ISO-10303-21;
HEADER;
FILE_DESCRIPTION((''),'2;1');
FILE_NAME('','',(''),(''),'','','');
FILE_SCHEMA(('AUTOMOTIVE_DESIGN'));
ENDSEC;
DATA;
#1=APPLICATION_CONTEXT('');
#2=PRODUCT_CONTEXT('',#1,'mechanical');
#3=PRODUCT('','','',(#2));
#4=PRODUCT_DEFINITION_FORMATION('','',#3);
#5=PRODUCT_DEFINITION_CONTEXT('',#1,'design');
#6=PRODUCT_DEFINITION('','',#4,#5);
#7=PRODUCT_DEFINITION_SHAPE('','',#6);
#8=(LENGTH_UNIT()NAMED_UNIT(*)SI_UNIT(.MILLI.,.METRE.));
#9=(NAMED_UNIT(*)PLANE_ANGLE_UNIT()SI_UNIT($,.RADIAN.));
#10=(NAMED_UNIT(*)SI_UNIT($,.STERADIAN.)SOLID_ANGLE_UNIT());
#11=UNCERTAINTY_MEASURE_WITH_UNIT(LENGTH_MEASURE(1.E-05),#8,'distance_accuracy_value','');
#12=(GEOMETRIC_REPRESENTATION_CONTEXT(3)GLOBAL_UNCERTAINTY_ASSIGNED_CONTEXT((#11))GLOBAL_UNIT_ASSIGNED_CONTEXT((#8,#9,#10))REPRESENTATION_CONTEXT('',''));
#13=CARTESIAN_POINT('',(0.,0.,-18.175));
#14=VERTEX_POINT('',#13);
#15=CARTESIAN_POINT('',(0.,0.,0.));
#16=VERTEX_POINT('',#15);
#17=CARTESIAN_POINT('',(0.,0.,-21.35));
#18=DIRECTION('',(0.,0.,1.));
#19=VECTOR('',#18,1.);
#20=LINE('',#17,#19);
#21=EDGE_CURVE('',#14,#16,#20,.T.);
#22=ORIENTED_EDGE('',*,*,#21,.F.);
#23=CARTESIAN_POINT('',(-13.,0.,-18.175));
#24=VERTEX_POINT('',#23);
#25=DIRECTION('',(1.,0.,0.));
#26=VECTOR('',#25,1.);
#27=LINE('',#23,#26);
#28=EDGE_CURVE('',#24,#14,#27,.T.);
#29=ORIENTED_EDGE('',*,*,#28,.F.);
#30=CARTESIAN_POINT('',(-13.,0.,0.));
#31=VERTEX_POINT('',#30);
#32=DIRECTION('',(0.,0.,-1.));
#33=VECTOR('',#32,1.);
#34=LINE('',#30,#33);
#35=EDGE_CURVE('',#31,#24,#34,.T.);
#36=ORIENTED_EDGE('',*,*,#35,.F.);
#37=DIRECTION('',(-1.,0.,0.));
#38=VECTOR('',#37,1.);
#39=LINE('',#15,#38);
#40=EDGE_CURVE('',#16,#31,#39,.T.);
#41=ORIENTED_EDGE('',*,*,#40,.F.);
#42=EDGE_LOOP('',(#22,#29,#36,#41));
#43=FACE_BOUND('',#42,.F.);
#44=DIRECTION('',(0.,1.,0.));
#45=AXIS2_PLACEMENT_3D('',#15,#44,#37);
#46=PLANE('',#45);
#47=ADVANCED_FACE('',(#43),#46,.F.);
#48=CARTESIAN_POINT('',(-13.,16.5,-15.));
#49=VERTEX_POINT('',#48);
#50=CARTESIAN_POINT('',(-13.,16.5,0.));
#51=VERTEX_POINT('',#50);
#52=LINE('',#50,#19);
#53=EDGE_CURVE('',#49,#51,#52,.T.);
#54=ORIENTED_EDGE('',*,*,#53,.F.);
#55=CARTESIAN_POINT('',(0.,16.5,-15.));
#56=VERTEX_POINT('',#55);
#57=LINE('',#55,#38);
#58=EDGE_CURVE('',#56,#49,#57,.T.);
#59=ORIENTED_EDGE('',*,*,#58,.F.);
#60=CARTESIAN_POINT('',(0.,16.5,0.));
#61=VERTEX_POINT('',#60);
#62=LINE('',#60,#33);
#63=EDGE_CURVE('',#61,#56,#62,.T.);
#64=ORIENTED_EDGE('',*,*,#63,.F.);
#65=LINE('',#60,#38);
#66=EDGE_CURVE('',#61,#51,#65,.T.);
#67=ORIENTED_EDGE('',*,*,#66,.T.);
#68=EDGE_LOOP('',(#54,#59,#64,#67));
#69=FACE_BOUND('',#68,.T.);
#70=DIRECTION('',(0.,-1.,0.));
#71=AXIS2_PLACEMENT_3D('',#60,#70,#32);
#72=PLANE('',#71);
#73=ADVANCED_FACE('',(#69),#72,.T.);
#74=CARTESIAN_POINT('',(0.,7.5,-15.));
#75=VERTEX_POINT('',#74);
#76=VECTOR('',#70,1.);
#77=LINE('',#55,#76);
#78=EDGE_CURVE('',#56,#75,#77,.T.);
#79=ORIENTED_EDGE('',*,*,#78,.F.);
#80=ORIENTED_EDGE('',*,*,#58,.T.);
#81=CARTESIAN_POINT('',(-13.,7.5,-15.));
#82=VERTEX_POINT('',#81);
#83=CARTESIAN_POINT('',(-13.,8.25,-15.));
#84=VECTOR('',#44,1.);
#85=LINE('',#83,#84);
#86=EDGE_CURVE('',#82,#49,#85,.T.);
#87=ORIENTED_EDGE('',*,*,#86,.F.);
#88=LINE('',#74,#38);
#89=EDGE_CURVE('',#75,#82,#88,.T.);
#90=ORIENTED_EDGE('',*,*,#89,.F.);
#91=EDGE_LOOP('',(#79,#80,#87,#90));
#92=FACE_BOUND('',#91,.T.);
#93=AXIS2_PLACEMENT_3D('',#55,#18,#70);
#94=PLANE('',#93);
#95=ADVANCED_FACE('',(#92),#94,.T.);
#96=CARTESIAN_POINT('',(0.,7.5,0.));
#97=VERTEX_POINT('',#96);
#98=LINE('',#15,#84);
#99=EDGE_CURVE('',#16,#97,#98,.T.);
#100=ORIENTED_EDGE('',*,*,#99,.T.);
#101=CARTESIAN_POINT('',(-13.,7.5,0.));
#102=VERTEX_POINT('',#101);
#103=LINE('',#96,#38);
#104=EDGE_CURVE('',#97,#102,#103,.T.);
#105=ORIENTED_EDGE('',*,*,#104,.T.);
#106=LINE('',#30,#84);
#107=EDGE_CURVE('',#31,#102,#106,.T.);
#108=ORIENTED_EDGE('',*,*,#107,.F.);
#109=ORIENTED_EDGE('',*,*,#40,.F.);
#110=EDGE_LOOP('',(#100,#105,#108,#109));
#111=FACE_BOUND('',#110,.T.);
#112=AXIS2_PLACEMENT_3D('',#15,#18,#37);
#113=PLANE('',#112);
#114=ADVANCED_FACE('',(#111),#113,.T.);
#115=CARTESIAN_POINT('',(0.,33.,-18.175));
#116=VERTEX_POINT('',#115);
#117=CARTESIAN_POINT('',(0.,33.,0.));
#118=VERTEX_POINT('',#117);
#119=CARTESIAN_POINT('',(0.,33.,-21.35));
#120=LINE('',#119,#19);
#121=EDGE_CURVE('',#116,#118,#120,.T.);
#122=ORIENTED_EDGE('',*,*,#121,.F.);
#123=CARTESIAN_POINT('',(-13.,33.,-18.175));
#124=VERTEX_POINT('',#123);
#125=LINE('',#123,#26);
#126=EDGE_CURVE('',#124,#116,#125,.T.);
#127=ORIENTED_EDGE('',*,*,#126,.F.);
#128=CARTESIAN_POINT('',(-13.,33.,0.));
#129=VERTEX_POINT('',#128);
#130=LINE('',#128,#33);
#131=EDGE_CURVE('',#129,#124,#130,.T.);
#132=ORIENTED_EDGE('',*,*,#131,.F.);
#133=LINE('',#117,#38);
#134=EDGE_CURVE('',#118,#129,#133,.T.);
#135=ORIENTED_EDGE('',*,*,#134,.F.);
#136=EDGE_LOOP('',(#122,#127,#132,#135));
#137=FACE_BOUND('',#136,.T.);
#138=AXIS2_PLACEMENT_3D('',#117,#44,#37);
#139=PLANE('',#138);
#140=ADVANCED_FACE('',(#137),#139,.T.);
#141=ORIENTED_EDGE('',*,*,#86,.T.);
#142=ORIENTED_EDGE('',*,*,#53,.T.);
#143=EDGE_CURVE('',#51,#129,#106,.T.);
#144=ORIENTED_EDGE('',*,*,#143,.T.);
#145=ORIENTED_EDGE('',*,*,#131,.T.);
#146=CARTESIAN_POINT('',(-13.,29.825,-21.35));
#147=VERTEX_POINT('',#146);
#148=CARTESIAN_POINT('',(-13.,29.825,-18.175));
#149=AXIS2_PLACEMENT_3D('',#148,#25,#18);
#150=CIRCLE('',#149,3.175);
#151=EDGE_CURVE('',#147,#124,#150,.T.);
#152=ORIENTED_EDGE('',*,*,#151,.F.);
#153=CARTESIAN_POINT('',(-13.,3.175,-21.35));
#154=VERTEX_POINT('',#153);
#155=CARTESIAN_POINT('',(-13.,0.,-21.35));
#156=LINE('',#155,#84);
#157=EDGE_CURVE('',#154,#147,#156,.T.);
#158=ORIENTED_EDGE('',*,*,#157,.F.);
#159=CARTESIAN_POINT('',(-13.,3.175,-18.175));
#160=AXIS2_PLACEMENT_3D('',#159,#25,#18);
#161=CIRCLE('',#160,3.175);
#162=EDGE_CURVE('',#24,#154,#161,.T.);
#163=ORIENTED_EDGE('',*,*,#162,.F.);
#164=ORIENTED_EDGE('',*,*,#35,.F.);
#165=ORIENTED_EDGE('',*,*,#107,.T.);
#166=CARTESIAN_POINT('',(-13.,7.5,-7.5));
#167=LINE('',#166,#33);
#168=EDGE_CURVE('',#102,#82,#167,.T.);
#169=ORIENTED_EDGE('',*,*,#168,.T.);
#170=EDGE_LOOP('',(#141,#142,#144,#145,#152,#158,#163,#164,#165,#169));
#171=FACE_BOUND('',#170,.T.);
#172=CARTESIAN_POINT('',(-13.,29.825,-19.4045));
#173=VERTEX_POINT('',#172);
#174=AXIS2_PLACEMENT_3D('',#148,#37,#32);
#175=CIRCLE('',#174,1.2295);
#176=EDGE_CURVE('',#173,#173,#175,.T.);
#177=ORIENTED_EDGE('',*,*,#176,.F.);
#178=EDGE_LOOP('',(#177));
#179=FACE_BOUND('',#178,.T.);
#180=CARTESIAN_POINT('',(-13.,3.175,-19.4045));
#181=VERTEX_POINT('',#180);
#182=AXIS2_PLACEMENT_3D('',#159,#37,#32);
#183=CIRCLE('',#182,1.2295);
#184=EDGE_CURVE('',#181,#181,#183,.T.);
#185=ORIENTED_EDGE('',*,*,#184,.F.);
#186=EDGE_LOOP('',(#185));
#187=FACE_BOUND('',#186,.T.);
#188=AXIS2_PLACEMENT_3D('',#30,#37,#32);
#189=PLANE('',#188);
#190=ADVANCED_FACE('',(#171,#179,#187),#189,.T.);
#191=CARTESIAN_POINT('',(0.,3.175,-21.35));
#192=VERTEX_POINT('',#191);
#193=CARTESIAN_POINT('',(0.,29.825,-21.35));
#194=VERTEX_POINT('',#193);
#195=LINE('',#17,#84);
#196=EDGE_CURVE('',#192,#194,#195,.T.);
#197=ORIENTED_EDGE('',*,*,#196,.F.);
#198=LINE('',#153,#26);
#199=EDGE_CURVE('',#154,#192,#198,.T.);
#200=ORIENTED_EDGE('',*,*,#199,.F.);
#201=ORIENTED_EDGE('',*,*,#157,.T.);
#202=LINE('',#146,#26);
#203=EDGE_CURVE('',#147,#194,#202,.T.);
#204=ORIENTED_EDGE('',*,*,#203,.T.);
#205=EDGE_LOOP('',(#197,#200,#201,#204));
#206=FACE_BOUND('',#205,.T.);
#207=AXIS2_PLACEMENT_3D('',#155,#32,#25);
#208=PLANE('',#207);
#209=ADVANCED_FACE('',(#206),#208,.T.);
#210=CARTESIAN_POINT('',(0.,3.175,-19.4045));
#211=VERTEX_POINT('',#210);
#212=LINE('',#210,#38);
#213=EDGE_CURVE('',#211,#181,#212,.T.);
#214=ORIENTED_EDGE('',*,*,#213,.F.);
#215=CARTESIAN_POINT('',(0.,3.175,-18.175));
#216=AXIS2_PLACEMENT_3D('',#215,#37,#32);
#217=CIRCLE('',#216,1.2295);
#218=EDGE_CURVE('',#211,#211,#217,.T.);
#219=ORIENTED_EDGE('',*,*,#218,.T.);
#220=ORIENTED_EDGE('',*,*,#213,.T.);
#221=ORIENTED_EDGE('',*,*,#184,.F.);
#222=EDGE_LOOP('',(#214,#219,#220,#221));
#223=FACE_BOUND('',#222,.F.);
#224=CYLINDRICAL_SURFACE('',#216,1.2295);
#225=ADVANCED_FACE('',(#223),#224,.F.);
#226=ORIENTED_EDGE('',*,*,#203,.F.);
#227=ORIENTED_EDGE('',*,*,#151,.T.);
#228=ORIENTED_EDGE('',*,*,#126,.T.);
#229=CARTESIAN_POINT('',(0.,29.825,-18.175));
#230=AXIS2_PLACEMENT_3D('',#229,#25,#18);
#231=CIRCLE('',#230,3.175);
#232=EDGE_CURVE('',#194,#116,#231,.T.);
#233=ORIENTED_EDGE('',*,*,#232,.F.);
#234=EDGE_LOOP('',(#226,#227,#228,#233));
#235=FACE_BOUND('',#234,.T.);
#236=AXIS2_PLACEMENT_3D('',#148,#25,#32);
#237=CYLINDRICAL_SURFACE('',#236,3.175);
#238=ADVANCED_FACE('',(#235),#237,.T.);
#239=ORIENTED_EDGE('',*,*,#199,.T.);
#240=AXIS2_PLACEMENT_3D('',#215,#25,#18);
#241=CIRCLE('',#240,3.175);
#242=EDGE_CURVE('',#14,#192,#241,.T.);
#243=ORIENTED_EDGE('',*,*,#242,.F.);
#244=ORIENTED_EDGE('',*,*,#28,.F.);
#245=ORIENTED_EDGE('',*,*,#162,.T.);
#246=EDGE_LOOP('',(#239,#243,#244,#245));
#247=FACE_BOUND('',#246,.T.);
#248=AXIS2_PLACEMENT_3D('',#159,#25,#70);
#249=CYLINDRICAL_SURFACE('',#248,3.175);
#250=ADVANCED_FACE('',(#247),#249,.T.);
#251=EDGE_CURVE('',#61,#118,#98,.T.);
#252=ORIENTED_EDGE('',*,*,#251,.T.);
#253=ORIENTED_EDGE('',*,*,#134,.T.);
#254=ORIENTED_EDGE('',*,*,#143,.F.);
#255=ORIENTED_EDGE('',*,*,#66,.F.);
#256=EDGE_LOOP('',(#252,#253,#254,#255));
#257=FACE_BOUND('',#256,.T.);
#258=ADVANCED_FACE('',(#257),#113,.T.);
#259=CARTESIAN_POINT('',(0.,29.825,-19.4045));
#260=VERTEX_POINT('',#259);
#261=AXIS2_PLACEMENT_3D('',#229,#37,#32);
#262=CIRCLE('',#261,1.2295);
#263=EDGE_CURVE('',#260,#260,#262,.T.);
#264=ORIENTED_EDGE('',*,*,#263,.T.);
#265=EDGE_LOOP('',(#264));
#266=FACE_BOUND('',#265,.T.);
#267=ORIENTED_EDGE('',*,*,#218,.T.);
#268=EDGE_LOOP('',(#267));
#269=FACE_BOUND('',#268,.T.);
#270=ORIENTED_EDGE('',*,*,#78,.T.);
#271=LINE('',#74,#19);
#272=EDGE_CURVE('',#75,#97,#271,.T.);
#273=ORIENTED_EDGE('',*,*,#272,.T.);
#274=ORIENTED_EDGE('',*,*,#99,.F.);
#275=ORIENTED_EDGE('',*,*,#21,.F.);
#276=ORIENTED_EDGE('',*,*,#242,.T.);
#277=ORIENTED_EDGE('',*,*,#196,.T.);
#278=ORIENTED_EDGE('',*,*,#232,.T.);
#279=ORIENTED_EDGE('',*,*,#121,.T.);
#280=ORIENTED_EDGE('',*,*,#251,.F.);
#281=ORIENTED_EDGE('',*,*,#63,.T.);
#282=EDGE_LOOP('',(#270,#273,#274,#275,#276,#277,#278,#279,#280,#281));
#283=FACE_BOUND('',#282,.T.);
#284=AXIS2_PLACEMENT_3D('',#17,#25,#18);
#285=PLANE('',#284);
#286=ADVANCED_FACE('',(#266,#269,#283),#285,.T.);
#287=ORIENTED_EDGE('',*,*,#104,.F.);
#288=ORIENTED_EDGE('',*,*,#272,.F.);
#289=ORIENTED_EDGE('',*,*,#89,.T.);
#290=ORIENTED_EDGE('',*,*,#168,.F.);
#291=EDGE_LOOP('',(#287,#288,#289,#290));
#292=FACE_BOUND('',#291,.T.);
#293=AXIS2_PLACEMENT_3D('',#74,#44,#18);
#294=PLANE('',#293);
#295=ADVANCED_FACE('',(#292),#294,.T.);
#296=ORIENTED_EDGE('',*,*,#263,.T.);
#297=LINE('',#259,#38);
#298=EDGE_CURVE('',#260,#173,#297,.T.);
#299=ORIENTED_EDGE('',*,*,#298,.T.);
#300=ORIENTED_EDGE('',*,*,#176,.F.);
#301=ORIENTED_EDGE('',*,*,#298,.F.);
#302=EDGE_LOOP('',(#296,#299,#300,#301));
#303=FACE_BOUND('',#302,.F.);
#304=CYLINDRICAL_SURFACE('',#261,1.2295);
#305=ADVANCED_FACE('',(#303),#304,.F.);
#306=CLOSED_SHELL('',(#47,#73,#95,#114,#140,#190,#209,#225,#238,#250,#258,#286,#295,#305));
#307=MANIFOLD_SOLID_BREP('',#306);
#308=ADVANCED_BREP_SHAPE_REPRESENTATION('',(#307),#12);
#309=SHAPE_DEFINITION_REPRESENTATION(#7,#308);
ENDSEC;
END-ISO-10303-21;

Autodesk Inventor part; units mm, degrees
ref_plane "YZ Plane" through (0, 0, 0) normal (1, 0, 0) x (0, 1, 0)
ref_plane "XZ Plane" through (0, 0, 0) normal (0, 1, 0) x (-1, 0, 0)
ref_plane "XY Plane" through (0, 0, 0) normal (0, 0, 1) x (1, 0, 0)
sketch "Base Profile" plane through (0, 0, 0) normal (0, 1, 0) x (-1, 0, 0)
  line L0 (0, 0) -> (13, 0)
  line L1 (13, 0) -> (13, -21.35)
  line L2 (13, -21.35) -> (0, -21.35)
  line L3 (0, -21.35) -> (0, 0)
  dimension "d407" = 13
  dimension "d408" = 21.35
extrude "Extrusion21" add sketch "Base Profile" along normal blind 33
sketch "Front Profile" plane through (0, 0, 0) normal (1, 0, 0) x (0, 0, -1)
  line L0 (0, 0) -> (21.35, 0) projected
  line L1 (21.35, 0) -> (21.35, 33) projected
  line L2 (0, 33) -> (21.35, 33) projected
  line L3 (0, 0) -> (0, 33) projected
  line L4 (0, 0) -> (0, 33) projected
  line L5 (0, 16.5) -> (15, 16.5)
  line L6 (15, 16.5) -> (15, 7.5)
  line L7 (15, 7.5) -> (0, 7.5)
  line L8 (0, 7.5) -> (0, 16.5)
  line L9 (15, 33) -> (15, 0)
  line L10 (21.35, 0) -> (21.35, 33) projected
  line L11 (21.35, 16.5) -> (15, 16.5) construction
  circle A0 centre (18.175, 29.825) radius 3.175
  circle A1 centre (18.175, 3.175) radius 3.175
  point P0 (0, 7.5)
  point P1 (18.175, 16.5)
  dimension "d411" = 6.35
  dimension "d412" = 7.5
  dimension "d413" = 9
extrude "Extrusion22" cut sketch "Front Profile" against normal through all contours L3 L5 L6 L7
hole "Hole27" at (0, 29.825, -18.175) at (0, 3.175, -18.175) direction (-1, 0, 0) diameter 2.459 end through all thread size "M3x0.5" class "6H" standard "ANSI Metric M Profile"
fillet "Fillet4" radius 3.175 2 edges at (-6.5, 33, -21.35) (-6.5, 0, -21.35)
equation "\"extrusionWidth\" = 15"
equation "\"bearingOffsetFromBottom\" = 7.5"
equation "\"extrusionOffset\" = 33"
equation "\"bearingStackHeight\" = 9"
equation "\"bearingSlotLength\" = 5"
equation "\"bearingClearance\" = 13"
properties part number "A Idler" material "Aluminum 6061"
